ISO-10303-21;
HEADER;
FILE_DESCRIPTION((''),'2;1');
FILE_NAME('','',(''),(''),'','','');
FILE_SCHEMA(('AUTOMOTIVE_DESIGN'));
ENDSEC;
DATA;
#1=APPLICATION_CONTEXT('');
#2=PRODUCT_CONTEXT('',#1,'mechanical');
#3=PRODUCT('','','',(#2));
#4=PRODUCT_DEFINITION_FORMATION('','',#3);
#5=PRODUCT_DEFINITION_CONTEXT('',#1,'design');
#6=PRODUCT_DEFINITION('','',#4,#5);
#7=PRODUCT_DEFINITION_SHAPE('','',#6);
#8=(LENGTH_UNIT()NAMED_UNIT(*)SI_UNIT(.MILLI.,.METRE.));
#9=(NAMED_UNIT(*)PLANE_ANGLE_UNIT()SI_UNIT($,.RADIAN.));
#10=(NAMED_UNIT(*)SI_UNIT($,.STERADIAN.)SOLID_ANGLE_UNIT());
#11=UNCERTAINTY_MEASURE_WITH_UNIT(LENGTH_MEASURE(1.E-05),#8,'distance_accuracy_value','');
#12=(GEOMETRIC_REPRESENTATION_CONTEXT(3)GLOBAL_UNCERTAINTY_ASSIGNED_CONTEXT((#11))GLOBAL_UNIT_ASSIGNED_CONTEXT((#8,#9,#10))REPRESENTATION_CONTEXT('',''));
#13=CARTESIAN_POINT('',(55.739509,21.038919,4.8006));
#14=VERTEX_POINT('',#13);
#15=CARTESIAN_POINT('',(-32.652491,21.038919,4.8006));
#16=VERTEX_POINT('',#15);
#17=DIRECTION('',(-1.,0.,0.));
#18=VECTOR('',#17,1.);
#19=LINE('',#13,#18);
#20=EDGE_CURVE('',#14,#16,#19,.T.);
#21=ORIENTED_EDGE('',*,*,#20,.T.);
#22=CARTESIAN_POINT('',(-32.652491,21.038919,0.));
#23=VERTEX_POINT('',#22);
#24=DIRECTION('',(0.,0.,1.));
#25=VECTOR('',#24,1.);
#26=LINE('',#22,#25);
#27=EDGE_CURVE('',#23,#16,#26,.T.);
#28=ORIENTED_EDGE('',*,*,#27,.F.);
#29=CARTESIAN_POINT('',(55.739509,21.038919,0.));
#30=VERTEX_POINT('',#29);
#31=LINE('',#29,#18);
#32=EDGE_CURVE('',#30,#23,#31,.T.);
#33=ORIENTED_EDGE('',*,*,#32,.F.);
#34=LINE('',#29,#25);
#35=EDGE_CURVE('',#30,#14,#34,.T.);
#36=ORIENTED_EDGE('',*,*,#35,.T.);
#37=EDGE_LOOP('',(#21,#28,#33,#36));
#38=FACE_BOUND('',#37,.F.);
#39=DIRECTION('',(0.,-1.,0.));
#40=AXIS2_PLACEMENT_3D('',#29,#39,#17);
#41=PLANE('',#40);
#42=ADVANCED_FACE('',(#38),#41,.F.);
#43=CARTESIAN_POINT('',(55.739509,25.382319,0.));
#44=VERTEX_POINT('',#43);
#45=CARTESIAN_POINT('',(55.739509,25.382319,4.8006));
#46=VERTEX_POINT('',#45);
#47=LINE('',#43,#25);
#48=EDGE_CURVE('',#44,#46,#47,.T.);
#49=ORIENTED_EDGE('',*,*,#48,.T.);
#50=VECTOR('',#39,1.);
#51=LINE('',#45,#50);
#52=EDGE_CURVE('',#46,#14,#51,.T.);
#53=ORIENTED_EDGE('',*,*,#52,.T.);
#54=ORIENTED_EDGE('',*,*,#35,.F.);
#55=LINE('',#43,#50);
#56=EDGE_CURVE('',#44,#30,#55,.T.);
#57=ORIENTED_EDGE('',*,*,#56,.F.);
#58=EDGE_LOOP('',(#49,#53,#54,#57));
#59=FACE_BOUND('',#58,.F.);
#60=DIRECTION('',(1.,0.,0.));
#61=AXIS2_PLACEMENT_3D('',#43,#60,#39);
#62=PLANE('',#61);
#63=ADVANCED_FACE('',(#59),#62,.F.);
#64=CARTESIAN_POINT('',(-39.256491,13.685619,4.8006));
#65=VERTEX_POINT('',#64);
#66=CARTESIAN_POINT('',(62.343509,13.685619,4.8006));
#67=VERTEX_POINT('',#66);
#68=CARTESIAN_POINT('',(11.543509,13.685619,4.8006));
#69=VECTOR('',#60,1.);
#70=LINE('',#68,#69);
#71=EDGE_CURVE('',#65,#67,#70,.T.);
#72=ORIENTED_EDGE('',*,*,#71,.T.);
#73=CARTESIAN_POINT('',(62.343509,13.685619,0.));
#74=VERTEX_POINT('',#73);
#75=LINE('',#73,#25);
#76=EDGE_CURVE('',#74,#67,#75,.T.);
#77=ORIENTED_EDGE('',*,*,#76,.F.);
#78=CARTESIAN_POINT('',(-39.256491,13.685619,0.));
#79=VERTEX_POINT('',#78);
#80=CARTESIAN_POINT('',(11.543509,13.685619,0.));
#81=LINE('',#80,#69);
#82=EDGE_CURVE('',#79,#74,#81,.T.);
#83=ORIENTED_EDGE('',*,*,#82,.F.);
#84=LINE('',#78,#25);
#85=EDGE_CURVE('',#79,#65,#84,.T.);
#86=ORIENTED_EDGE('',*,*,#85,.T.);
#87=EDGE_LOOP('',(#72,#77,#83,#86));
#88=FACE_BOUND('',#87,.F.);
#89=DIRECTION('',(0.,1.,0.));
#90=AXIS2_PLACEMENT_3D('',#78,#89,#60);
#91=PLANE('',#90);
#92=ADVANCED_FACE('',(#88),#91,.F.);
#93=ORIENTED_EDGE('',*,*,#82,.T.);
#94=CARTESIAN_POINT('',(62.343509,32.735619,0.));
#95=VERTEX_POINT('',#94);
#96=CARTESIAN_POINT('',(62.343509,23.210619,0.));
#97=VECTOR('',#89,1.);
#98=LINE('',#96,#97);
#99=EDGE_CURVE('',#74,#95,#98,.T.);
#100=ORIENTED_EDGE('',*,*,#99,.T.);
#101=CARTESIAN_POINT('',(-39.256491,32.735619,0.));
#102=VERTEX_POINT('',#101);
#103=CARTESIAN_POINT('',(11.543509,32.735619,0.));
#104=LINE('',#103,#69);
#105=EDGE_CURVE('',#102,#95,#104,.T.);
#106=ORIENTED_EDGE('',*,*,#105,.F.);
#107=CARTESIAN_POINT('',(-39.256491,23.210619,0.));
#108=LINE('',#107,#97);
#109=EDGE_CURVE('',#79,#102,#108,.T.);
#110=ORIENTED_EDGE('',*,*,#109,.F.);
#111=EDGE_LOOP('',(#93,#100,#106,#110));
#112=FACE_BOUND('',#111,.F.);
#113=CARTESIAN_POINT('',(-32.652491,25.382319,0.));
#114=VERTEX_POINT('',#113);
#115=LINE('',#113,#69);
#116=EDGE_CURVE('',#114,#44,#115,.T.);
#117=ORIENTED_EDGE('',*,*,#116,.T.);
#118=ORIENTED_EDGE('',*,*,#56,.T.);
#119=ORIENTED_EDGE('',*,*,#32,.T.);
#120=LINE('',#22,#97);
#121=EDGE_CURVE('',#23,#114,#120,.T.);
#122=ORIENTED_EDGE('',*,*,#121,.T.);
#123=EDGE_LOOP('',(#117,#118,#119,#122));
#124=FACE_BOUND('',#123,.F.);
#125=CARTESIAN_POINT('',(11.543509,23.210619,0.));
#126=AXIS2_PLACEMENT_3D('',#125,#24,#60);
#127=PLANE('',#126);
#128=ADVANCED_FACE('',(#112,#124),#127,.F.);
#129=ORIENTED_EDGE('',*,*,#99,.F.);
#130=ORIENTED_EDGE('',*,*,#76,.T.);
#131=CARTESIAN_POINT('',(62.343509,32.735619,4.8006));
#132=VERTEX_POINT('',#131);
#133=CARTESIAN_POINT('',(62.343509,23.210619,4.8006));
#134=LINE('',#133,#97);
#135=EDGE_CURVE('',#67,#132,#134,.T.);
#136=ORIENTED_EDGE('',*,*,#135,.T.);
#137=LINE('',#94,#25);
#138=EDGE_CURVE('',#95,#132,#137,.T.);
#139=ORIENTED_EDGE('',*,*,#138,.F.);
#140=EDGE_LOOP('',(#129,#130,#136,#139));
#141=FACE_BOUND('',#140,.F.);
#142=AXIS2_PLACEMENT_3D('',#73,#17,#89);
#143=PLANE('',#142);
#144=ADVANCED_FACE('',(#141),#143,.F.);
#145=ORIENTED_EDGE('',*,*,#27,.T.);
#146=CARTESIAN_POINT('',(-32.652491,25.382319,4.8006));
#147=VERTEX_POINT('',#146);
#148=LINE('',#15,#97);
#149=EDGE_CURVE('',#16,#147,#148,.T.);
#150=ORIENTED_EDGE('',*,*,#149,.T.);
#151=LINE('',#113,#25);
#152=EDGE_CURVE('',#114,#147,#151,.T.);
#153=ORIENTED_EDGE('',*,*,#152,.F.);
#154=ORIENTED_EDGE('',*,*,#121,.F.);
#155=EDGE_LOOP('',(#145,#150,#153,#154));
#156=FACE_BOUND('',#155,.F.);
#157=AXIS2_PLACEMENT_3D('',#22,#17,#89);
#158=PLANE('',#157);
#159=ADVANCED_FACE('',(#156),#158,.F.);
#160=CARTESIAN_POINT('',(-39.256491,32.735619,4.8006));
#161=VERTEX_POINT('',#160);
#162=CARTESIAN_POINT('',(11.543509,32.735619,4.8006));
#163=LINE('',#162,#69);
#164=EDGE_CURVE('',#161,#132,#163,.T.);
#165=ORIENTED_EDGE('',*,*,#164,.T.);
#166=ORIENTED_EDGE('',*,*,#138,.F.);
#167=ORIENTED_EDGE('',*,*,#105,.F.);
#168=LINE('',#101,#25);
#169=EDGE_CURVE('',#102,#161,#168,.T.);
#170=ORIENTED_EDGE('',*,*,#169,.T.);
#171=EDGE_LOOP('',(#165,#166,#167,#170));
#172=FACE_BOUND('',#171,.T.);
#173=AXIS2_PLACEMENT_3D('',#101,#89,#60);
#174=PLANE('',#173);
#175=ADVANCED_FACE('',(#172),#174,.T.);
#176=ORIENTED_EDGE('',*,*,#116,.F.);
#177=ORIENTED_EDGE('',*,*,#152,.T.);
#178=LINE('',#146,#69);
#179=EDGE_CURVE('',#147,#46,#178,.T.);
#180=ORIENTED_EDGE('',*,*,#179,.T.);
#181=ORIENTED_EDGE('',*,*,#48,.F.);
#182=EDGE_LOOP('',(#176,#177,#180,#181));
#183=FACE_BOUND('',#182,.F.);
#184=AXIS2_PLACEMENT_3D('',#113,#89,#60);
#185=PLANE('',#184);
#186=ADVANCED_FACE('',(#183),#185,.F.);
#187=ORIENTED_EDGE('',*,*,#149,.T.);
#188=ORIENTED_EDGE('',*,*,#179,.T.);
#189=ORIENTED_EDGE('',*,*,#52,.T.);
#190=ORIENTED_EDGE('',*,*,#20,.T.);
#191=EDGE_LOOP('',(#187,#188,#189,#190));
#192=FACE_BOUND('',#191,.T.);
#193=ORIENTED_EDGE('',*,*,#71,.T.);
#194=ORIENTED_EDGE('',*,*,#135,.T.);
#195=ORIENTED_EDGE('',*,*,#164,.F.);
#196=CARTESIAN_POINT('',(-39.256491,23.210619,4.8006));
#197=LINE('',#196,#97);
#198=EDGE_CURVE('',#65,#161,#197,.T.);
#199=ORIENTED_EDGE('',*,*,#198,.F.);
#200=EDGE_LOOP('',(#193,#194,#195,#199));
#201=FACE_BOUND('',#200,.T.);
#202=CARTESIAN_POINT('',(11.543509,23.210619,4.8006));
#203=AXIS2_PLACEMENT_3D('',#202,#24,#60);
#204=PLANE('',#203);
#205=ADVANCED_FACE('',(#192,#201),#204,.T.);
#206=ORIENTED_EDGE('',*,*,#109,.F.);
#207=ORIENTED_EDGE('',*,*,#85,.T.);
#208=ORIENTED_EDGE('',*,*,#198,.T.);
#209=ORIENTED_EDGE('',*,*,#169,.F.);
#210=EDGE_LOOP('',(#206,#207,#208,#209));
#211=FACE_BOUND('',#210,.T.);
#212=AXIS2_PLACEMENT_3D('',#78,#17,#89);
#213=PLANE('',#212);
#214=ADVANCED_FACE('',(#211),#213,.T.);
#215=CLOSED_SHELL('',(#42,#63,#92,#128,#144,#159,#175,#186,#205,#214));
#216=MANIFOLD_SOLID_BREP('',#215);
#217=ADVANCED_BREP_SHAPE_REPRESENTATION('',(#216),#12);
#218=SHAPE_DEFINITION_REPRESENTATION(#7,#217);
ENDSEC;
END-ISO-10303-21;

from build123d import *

# Parameters (mm, degrees)
F0_W     = 101.6
F0_H     = 19.05
F1_DEPTH = 4.8006


with BuildPart() as f1:
    # F0 (on Top) → F1 (new body)
    with BuildSketch(Plane.XY):
        with Locations((11.543509, 23.210619)):
            Rectangle(F0_W, F0_H)
        Polygon((55.739509, 25.382319), (55.739509, 23.210619), (55.739509, 21.038919), (-32.652491, 21.038919), (-32.652491, 23.210619), (-32.652491, 25.382319), align=None, mode=Mode.SUBTRACT)
    extrude(amount=F1_DEPTH)


solid = f1.part
